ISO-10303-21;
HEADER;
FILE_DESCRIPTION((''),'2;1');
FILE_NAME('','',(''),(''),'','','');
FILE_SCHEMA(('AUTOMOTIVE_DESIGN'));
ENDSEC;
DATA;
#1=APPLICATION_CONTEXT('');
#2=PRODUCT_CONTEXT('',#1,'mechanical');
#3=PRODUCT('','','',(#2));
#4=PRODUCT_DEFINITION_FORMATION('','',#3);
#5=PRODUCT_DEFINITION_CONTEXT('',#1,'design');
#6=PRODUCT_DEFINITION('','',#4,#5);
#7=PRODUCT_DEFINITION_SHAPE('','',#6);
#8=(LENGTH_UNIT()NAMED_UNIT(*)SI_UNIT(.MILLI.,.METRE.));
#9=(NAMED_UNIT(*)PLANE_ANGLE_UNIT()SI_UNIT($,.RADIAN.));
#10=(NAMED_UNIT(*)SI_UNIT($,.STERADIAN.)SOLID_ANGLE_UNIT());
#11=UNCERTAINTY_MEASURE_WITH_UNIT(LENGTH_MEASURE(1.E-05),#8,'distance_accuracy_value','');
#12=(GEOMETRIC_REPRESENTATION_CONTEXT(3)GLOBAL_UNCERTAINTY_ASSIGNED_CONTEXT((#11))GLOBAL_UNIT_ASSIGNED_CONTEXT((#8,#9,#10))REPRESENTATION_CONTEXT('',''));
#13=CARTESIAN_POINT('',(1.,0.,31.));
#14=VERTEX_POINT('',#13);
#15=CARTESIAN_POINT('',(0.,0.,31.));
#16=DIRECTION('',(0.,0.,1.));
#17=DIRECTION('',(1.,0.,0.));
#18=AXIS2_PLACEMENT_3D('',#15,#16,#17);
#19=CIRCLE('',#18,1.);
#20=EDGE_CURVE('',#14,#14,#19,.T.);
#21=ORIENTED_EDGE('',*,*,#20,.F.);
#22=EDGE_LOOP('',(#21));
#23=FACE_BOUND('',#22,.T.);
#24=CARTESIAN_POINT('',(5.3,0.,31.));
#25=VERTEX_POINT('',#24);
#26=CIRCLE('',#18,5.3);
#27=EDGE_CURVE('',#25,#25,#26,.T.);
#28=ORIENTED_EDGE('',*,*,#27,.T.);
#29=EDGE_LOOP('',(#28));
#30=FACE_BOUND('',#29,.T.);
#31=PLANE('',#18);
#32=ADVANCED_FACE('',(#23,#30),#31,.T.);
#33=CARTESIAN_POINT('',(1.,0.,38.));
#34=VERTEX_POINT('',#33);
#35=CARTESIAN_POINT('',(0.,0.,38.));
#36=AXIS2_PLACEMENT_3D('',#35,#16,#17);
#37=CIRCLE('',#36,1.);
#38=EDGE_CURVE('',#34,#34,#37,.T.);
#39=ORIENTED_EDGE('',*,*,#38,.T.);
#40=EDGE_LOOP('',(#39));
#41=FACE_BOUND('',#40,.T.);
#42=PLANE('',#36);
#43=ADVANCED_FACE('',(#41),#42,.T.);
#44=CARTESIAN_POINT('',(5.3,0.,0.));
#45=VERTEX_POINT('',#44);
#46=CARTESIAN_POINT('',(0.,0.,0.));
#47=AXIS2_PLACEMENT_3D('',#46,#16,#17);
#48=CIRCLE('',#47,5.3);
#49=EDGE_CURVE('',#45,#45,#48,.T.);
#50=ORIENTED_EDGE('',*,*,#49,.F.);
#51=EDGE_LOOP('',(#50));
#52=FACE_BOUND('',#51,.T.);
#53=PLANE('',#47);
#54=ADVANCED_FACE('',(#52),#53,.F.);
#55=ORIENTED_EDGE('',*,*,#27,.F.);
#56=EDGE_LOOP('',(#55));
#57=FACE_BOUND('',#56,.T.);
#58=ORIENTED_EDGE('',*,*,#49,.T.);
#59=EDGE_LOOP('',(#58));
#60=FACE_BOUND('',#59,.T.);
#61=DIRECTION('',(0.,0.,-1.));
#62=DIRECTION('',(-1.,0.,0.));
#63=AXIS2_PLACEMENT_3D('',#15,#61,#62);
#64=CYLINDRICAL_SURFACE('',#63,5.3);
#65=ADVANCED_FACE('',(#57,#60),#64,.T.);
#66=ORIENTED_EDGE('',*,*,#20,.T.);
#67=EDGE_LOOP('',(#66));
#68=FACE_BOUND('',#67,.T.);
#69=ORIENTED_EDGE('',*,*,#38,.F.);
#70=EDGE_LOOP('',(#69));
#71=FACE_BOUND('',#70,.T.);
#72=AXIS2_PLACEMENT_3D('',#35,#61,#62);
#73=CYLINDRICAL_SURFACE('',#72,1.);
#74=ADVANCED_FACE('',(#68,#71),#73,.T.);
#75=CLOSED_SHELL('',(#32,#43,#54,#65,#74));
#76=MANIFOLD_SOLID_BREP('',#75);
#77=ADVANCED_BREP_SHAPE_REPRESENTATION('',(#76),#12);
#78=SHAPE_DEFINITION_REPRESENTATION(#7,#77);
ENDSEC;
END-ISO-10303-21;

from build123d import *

# Parameters (mm, degrees)
SKETCH1_R      = 5.3
EXTRUDE1_DEPTH = 31
SKETCH2_R      = 1
EXTRUDE2_DEPTH = 7


with BuildPart() as part:
    # Sketch1 → Extrude1 (new body)
    with BuildSketch(Plane.XY):
        Circle(SKETCH1_R)
    extrude(amount=EXTRUDE1_DEPTH)

    # Sketch2 → Extrude2 (add)
    with BuildSketch(Plane.XY.offset(31)):
        Circle(SKETCH2_R)
    extrude(amount=EXTRUDE2_DEPTH)


solid = part.part
